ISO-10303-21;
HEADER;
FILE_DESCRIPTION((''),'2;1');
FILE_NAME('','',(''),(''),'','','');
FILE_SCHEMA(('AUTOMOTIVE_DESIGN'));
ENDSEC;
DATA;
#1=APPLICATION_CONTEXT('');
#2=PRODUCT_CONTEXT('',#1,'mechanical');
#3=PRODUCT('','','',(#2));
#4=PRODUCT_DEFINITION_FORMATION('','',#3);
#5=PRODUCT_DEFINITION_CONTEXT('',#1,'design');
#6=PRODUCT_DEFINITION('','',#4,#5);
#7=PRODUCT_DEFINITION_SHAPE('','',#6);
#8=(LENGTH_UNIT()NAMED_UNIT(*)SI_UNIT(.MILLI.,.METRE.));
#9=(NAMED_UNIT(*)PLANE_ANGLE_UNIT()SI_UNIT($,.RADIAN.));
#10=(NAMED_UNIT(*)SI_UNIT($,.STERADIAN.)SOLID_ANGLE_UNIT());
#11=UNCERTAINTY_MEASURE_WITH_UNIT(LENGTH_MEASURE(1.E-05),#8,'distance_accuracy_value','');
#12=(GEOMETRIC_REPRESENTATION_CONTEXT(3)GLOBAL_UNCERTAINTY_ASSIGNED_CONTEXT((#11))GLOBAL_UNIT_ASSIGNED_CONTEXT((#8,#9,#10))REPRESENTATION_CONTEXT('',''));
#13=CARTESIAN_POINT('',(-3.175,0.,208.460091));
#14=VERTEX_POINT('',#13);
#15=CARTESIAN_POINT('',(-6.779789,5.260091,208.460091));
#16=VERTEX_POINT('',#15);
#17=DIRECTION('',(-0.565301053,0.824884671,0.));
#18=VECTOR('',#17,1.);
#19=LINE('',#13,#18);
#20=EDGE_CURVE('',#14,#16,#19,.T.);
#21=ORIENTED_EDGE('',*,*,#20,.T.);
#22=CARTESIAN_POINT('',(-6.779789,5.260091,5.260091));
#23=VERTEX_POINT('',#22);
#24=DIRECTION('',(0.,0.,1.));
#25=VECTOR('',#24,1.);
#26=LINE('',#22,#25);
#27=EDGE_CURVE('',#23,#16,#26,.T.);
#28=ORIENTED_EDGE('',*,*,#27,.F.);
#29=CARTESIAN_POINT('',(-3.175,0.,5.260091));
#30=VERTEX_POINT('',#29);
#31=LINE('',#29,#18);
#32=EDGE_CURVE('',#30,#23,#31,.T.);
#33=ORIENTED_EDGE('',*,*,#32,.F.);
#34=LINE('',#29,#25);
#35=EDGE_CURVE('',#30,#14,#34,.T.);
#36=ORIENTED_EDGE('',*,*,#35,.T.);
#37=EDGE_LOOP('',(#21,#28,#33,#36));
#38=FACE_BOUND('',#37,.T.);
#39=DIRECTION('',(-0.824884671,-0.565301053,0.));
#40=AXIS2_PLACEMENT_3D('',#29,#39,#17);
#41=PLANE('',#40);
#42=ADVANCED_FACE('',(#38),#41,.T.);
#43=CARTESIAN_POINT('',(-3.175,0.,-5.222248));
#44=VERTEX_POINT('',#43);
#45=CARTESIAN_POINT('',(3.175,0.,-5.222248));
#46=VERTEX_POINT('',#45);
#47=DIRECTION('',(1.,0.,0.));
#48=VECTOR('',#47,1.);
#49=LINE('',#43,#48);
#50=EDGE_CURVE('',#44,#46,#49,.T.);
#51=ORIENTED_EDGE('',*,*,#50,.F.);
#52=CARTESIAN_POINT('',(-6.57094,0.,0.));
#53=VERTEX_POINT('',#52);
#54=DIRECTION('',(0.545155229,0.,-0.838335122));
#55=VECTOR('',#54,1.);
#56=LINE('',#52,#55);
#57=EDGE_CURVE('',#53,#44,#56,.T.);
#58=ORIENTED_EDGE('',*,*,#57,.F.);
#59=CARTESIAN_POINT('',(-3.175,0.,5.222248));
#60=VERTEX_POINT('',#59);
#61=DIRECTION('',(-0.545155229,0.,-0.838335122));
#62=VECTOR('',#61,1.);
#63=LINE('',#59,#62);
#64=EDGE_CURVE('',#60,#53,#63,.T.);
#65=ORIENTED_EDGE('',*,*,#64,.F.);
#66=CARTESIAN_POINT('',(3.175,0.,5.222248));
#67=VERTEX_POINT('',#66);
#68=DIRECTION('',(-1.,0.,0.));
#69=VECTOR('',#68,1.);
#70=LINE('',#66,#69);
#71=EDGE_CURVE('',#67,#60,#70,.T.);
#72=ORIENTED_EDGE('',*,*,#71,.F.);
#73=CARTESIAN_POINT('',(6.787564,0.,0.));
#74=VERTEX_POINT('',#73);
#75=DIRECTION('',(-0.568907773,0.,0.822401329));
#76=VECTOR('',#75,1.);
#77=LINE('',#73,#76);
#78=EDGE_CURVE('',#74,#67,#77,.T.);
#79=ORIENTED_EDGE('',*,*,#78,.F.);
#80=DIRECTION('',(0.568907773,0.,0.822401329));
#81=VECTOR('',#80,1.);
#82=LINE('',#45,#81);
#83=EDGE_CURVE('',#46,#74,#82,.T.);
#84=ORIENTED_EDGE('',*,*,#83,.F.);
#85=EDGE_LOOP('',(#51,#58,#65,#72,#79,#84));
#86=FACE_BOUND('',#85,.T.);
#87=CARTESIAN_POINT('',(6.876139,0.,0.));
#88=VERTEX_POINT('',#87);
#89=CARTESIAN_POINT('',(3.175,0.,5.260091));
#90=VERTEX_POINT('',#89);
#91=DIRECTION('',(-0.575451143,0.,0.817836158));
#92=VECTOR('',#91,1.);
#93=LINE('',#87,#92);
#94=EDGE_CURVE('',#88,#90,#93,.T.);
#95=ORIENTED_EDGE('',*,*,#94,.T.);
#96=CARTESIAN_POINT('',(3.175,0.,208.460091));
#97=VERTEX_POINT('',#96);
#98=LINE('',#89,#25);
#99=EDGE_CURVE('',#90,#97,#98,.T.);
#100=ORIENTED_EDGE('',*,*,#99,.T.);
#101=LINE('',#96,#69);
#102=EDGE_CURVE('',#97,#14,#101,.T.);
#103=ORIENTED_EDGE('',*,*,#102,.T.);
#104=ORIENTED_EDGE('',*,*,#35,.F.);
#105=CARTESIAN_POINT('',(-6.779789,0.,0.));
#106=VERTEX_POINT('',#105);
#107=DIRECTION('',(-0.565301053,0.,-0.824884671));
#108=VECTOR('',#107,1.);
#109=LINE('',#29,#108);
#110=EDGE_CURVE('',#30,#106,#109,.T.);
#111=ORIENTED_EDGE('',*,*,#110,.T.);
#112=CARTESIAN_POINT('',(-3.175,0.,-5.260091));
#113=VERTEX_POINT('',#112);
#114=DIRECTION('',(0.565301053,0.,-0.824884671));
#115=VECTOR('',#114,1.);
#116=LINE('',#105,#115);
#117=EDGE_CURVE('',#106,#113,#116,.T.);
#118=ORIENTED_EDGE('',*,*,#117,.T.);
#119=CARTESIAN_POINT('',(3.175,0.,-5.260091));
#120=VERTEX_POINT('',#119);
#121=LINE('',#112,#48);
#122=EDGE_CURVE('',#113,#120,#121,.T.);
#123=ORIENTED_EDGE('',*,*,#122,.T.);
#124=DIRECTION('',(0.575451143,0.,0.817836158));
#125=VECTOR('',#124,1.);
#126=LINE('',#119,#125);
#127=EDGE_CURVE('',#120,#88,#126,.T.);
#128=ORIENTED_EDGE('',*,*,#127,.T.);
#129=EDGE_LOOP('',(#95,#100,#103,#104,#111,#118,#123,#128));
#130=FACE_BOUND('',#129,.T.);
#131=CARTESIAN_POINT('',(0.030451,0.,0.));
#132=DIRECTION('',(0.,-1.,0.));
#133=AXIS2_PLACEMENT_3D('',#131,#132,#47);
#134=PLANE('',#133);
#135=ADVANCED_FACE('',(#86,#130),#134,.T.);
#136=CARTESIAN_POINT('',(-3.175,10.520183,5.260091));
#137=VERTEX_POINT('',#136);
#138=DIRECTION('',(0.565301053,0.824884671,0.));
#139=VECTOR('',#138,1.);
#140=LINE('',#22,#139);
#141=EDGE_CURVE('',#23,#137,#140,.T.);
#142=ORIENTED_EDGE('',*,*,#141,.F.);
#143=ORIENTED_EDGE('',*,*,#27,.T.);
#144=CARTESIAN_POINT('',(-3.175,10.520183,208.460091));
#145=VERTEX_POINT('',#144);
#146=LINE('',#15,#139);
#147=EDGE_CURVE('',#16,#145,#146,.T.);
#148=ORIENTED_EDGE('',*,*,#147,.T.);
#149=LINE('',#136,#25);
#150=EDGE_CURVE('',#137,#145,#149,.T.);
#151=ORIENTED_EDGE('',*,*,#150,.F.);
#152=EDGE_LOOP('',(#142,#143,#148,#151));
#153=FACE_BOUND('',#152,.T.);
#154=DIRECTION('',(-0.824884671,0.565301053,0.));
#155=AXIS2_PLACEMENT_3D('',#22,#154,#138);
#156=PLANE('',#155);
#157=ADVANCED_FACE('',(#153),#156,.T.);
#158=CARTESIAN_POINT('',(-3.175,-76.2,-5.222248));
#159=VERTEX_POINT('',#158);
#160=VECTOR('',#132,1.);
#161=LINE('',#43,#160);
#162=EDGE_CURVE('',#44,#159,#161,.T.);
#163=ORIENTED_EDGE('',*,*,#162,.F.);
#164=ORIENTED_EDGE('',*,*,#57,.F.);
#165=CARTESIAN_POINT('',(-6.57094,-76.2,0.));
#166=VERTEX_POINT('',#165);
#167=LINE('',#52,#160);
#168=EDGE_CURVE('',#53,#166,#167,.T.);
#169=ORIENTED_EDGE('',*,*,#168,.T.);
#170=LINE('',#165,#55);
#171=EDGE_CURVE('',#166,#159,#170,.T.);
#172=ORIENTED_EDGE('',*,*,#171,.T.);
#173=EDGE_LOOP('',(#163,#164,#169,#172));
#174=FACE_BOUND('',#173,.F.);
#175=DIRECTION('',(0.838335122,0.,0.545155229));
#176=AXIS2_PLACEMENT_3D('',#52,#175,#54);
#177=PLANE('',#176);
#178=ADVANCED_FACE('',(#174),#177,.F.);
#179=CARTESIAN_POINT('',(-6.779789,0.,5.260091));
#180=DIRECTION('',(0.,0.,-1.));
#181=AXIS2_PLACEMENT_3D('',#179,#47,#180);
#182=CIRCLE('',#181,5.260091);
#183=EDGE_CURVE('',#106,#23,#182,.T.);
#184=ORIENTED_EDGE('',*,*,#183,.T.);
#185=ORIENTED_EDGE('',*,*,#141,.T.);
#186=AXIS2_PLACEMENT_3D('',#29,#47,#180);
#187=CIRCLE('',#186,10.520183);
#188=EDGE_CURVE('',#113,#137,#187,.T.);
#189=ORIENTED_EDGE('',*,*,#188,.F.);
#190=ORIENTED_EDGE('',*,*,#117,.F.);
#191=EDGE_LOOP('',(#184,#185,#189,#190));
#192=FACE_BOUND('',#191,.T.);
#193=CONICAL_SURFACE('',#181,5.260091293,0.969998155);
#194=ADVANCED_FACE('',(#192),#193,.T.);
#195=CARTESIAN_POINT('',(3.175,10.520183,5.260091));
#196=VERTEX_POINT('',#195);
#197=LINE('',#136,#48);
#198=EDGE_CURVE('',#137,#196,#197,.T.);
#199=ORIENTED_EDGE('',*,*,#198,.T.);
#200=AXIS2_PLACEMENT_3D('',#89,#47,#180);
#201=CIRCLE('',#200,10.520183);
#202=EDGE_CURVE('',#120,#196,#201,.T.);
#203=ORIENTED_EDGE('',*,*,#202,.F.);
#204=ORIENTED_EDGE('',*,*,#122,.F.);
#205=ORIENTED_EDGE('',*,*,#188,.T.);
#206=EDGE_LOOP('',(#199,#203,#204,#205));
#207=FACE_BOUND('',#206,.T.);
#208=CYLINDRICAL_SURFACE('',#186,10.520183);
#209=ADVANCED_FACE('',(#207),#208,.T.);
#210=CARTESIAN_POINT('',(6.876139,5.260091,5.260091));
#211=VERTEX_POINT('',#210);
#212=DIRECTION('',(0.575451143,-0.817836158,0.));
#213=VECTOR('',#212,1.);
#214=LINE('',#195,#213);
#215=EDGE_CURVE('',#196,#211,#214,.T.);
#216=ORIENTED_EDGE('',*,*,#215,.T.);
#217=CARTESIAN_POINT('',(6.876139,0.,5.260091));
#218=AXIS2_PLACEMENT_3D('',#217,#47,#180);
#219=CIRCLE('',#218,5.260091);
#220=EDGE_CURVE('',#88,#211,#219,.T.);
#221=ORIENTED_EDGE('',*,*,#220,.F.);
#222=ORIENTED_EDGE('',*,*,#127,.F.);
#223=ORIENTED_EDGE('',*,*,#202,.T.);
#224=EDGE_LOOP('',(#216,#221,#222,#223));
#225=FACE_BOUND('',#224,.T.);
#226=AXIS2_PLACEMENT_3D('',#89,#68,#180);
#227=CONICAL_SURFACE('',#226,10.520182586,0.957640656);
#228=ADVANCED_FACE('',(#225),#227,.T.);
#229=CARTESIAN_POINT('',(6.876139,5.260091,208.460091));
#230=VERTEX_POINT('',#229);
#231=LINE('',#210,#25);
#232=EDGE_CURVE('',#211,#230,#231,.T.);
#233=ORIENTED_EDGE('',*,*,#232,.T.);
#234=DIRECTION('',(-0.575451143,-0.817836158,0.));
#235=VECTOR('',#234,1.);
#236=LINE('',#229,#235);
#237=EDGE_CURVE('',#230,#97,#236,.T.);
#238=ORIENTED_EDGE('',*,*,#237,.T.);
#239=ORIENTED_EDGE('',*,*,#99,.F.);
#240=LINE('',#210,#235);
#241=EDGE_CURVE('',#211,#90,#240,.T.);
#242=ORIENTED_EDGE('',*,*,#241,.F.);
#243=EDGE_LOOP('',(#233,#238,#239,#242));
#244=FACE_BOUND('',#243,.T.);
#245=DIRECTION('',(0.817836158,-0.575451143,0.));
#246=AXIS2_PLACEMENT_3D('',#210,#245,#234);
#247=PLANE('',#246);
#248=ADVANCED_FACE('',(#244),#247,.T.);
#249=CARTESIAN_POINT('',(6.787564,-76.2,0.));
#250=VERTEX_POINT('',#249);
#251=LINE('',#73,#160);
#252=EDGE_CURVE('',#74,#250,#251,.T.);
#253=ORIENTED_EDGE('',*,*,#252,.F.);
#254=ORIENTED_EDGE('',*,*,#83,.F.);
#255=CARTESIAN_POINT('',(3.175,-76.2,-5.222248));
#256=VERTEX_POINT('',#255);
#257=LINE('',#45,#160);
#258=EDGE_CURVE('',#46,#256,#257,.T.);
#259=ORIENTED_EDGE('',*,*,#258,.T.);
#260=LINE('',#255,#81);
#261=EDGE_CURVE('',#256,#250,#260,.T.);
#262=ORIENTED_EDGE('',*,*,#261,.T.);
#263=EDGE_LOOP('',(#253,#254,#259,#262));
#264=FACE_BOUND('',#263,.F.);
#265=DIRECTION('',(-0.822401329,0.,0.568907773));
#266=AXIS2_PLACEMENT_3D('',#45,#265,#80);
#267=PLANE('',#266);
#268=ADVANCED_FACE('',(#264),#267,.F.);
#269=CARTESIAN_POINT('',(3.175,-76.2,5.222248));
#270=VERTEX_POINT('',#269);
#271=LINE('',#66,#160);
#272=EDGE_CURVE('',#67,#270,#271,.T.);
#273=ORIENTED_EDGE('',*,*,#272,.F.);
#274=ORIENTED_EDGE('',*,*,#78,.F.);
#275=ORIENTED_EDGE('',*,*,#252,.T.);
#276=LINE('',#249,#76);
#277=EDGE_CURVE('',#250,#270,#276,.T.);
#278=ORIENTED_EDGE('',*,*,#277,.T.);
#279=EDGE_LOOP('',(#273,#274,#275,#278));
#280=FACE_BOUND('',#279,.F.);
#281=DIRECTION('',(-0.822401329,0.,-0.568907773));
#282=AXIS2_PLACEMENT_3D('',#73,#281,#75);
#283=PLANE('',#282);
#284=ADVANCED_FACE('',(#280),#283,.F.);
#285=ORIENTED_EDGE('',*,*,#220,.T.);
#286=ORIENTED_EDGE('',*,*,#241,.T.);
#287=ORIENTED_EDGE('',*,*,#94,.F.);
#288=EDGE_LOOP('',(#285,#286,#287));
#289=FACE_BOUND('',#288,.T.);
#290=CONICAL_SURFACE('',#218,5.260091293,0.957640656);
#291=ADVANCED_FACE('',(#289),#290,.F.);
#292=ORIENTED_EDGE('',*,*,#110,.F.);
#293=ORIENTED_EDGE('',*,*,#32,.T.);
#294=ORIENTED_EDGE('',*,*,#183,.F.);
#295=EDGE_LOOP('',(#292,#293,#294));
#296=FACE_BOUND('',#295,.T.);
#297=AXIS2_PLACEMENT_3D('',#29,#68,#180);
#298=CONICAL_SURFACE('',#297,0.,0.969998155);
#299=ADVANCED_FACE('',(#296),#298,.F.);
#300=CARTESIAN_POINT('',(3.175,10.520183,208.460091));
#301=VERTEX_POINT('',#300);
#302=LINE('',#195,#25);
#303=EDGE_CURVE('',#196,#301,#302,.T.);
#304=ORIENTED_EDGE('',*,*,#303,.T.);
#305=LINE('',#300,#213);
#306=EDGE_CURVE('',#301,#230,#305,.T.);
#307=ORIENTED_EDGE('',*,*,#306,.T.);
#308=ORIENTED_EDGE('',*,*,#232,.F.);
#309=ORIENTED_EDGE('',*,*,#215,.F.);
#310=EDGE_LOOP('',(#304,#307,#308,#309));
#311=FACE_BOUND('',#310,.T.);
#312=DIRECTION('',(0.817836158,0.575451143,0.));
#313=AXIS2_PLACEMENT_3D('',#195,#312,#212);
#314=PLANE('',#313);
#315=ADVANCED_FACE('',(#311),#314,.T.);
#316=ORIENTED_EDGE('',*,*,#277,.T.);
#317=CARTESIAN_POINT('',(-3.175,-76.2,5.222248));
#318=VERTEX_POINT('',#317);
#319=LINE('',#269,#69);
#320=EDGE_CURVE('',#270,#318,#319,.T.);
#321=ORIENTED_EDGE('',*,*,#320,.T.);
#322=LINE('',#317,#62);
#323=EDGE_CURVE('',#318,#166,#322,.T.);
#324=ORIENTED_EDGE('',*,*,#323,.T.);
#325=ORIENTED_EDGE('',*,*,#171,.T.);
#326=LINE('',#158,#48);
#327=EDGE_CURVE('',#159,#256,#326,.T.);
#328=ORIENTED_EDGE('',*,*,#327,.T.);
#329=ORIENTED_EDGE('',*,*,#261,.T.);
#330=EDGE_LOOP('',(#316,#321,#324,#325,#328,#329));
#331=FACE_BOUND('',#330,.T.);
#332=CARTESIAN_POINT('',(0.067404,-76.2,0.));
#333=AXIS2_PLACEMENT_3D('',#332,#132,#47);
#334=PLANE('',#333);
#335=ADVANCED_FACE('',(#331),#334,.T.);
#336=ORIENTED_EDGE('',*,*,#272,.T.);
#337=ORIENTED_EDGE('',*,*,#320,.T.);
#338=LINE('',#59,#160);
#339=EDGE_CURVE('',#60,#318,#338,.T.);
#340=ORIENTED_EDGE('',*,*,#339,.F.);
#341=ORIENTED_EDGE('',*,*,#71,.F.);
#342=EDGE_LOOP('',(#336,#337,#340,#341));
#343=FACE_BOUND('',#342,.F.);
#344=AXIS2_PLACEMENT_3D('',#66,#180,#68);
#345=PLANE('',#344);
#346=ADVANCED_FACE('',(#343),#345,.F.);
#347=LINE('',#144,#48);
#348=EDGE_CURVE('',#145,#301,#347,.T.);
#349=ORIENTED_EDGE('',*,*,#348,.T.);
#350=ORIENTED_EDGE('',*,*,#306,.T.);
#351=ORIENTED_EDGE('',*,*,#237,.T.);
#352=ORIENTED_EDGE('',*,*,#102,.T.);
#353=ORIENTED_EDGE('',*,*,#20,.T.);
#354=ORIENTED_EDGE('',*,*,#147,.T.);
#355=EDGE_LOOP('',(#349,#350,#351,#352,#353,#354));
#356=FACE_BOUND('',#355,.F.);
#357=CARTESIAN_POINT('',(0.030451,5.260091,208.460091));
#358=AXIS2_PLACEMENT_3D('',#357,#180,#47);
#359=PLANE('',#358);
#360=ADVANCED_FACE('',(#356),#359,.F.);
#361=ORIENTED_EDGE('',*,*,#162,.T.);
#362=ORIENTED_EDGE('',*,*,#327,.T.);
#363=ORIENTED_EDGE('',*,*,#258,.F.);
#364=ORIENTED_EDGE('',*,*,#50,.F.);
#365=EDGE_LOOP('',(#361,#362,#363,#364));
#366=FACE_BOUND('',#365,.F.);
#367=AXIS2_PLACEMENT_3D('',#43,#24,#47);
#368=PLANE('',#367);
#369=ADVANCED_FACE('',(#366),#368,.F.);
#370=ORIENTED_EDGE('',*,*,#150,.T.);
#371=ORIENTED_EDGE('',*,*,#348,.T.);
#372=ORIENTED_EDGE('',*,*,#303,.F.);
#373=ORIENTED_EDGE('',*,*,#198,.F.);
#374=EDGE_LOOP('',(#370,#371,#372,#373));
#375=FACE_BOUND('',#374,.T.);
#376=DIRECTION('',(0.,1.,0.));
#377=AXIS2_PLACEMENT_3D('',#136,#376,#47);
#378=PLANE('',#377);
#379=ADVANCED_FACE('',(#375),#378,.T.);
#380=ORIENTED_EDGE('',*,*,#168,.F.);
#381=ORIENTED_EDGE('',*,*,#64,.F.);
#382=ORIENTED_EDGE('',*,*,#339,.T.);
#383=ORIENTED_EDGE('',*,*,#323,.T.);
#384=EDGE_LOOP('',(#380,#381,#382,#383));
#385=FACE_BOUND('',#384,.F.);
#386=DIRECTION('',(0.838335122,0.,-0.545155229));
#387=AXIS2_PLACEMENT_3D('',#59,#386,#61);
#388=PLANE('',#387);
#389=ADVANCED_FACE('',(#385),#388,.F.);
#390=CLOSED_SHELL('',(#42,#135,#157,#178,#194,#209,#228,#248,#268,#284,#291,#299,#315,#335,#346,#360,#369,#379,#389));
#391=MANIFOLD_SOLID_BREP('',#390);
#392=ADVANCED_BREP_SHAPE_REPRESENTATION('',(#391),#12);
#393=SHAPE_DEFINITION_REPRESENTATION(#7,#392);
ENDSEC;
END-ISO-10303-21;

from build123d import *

# Parameters (mm, degrees)
F1_DEPTH = 76.2
F3_ANGLE = 90
F4_DEPTH = 203.2


with BuildPart() as f1:
    # F0 (on Front) → F1 (new body)
    with BuildSketch(Plane.XZ):
        Polygon((-6.5709403187, 0), (-3.175, -5.2222484378), (3.175, -5.2222484378), (6.7875643598, 0), (3.175, 5.2222484378), (-3.175, 5.2222484378), align=None)
    extrude(amount=F1_DEPTH)

    # F2 (on Front) → F3 (revolve)
    with BuildSketch(Plane.XZ):
        Polygon((-3.175, -5.2600912928), (3.175, -5.2600912928), (6.8761393004, 0), (3.175, 5.2600912928), (-3.175, 5.2600912928), (-6.7797889493, 0), align=None)
    revolve(axis=Axis((0, 0, 5.2600912928), (1, 0, 0)), revolution_arc=F3_ANGLE)

    # F4 (add): a face of the model
    f4_faces = [f1.faces().sort_by_distance(p)[0] for p in [
        (0.0270197551, 5.2600912928, 5.2600912928),
    ]]
    extrude(f4_faces, amount=F4_DEPTH)


solid = f1.part
